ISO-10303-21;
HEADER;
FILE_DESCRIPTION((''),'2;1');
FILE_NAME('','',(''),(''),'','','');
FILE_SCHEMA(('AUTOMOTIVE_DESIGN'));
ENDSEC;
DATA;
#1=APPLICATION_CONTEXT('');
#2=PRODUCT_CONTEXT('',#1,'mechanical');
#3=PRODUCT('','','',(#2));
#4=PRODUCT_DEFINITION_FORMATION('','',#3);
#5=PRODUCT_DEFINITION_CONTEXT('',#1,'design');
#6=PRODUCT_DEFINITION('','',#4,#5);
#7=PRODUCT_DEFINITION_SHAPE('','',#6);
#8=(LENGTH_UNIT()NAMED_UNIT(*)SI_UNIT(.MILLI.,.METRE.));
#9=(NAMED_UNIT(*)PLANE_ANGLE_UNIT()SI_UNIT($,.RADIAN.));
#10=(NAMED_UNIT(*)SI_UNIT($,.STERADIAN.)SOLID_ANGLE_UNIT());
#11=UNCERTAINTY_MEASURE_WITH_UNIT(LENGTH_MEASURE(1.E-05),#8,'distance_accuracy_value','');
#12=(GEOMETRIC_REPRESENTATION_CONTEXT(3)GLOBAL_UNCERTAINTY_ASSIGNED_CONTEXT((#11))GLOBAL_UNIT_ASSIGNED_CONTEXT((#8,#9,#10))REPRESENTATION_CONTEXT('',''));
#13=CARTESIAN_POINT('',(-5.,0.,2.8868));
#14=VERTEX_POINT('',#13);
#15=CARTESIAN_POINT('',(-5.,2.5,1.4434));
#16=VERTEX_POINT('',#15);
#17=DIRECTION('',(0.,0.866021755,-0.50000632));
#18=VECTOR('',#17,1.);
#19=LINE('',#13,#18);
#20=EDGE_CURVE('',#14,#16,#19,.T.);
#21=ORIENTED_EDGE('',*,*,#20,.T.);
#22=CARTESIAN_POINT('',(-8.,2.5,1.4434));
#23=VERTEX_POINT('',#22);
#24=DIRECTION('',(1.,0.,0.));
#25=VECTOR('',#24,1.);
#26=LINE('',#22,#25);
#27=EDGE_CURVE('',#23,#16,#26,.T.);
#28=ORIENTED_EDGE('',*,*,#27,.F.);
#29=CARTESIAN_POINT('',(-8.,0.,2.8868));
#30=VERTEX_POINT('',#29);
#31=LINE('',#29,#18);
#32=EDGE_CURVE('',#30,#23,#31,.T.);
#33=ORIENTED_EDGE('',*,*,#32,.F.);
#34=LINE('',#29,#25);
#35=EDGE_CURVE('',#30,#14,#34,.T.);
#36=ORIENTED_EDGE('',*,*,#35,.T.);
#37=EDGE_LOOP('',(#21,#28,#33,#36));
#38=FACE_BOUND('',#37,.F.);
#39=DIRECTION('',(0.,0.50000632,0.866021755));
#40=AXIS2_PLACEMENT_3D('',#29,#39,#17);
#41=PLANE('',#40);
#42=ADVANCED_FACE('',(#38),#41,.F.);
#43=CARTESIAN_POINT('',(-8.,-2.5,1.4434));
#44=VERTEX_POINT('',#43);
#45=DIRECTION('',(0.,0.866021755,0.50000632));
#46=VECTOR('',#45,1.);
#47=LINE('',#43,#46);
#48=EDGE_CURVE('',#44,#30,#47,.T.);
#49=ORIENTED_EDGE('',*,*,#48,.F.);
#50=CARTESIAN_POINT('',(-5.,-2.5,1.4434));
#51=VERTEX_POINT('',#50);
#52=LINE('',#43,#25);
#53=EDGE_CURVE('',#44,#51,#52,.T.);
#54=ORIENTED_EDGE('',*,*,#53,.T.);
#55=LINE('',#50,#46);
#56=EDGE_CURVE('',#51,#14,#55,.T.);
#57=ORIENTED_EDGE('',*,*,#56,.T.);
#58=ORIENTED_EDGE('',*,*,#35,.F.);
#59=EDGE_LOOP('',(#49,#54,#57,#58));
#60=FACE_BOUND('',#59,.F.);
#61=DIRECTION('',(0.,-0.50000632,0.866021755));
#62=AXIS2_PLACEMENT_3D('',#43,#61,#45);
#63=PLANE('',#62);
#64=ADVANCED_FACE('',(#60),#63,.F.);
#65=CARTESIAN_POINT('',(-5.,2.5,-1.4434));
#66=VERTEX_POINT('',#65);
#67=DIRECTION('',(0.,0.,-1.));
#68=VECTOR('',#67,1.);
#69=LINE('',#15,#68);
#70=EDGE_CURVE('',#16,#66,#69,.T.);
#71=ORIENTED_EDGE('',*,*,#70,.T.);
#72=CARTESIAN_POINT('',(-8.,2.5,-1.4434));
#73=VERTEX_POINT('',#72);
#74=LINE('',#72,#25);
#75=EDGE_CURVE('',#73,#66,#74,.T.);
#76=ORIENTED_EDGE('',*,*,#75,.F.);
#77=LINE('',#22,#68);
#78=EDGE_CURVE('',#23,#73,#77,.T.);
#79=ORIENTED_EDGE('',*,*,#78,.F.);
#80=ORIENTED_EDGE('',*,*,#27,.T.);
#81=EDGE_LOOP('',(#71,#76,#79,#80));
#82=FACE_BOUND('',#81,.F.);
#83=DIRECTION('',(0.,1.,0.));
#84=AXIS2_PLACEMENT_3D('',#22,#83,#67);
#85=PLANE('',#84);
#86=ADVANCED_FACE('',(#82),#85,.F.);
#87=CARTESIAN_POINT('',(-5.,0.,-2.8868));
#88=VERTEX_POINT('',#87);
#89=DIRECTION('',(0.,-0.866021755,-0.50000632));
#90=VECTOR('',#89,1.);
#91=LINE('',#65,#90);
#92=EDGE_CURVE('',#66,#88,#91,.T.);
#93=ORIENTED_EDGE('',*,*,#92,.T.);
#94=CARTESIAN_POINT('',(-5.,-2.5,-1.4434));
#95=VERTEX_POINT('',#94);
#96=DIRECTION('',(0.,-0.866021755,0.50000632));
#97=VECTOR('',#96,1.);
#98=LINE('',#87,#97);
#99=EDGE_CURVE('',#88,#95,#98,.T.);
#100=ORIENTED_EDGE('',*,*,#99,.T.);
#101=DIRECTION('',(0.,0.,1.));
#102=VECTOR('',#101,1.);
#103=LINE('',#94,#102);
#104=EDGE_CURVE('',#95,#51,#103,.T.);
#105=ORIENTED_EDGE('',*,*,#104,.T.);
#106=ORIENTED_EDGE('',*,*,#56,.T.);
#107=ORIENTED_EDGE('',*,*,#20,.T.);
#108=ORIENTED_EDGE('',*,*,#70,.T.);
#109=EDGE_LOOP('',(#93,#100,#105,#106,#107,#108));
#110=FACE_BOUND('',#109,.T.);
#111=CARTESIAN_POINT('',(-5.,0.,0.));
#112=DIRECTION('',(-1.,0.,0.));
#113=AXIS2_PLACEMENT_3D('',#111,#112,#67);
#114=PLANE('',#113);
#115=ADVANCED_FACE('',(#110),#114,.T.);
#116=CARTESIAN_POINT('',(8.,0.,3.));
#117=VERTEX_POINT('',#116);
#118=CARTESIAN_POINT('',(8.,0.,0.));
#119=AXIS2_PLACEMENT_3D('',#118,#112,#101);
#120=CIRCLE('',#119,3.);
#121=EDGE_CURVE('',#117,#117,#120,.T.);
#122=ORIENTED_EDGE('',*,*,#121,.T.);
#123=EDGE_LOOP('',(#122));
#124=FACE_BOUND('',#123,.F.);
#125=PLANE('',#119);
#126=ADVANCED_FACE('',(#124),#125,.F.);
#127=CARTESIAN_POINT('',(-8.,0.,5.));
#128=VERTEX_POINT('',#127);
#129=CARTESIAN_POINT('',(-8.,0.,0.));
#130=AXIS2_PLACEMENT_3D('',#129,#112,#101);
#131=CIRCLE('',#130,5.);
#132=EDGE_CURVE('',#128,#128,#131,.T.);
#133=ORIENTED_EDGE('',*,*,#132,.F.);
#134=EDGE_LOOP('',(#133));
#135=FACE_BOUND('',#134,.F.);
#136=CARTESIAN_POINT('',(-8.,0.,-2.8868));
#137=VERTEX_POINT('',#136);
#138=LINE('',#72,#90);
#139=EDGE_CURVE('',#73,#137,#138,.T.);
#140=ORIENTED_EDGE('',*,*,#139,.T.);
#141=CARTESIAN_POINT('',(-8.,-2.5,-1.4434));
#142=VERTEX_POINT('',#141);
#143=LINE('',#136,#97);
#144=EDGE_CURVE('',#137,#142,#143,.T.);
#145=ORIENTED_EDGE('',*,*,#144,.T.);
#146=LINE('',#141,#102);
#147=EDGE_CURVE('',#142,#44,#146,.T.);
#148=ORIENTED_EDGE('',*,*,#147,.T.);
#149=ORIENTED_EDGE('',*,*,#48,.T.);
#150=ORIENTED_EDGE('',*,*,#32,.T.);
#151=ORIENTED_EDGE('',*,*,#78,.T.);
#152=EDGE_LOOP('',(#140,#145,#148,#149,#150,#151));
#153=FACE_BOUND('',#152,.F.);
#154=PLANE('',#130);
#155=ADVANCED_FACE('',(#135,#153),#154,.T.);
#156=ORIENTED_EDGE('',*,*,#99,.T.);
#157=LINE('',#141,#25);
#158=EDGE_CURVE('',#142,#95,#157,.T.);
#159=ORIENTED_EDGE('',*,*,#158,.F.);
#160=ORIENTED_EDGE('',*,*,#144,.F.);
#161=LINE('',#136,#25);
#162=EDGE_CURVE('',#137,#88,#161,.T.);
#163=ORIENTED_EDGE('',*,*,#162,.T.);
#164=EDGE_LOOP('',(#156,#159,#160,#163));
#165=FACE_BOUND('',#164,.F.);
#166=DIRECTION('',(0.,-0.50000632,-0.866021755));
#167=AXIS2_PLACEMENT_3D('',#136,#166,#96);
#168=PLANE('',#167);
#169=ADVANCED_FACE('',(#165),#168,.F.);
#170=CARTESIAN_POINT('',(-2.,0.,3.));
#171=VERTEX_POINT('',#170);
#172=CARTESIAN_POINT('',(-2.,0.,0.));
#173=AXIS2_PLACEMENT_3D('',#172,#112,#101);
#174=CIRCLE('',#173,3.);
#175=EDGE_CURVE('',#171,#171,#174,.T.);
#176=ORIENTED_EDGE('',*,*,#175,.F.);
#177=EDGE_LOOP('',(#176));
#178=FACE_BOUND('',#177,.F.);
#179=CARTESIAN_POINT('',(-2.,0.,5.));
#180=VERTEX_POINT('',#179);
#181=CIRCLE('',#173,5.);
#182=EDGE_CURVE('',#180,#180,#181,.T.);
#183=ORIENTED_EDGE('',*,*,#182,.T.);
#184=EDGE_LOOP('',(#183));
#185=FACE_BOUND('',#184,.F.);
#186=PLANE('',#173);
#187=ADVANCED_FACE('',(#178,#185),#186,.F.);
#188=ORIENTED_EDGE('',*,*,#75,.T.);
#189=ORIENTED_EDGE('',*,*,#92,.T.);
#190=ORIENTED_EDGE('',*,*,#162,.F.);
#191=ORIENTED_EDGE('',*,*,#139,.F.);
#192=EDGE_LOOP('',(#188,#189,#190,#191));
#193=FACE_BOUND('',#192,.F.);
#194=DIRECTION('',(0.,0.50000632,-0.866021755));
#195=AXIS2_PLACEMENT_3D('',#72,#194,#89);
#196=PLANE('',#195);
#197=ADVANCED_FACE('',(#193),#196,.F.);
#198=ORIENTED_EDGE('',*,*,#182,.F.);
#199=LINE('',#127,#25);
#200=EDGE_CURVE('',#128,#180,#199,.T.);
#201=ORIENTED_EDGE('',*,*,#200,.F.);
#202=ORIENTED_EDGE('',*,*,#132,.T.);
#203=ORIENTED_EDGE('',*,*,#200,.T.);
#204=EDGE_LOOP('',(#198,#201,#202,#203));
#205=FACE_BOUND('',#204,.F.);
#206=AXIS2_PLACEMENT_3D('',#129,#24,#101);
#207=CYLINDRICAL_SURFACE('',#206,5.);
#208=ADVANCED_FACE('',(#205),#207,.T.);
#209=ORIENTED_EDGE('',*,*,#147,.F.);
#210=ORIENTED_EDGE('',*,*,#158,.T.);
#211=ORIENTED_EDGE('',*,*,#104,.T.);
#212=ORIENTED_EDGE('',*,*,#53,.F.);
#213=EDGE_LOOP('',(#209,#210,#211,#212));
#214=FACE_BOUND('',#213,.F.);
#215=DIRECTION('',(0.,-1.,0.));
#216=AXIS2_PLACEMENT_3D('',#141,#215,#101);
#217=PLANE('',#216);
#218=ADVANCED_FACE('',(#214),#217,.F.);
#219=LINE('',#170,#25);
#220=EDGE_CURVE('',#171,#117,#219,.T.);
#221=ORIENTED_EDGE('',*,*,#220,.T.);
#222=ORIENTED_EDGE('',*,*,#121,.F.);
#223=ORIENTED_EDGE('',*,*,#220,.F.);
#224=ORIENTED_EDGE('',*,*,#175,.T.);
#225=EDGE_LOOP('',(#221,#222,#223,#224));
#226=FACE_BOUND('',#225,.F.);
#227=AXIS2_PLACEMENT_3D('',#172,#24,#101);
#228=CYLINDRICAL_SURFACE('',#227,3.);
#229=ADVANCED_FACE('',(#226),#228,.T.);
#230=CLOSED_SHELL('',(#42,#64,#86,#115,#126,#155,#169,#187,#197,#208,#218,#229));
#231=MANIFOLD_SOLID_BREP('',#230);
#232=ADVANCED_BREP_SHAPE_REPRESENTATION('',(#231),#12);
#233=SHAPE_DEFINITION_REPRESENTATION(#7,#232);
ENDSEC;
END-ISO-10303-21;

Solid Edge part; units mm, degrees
sketch "Sketch1" plane through (10.8674, 0, 10.8674) normal (0, -1, 0) x (1, 0, 0)
  line L0 (-18.8674, -10.8674) -> (-18.8674, -5.8674)
  line L1 (-18.8674, -5.8674) -> (-12.8674, -5.8674)
  line L2 (-12.8674, -5.8674) -> (-12.8674, -7.8674)
  line L3 (-12.8674, -7.8674) -> (-2.8674, -7.8674)
  line L4 (-2.8674, -7.8674) -> (-2.8674, -10.8674)
  dimension "D1" = 6
  dimension "D2" = 10
revolve "RevolvedProtrusion1" add sketch "Sketch1" angle 360 about axis through (16.5, 0, 0) along (-1, 0, 0)
sketch "Sketch2" plane through (-8, 0, 0) normal (-1, 0, 0) x (0, 0, -1)
  line L0 (2.8868, 0) -> (1.4434, 2.5)
  line L1 (1.4434, 2.5) -> (-1.4434, 2.5)
  line L2 (-1.4434, 2.5) -> (-2.8868, 0)
  line L3 (-2.8868, 0) -> (-1.4434, -2.5)
  line L4 (-1.4434, -2.5) -> (1.4434, -2.5)
  line L5 (1.4434, -2.5) -> (2.8868, 0)
  dimension "D1" = 5
extrude "Cutout1" cut sketch "Sketch2" against normal blind 3
cosmetic_thread "Gänga" size "M6" thread depth 8
properties material "Steel"
